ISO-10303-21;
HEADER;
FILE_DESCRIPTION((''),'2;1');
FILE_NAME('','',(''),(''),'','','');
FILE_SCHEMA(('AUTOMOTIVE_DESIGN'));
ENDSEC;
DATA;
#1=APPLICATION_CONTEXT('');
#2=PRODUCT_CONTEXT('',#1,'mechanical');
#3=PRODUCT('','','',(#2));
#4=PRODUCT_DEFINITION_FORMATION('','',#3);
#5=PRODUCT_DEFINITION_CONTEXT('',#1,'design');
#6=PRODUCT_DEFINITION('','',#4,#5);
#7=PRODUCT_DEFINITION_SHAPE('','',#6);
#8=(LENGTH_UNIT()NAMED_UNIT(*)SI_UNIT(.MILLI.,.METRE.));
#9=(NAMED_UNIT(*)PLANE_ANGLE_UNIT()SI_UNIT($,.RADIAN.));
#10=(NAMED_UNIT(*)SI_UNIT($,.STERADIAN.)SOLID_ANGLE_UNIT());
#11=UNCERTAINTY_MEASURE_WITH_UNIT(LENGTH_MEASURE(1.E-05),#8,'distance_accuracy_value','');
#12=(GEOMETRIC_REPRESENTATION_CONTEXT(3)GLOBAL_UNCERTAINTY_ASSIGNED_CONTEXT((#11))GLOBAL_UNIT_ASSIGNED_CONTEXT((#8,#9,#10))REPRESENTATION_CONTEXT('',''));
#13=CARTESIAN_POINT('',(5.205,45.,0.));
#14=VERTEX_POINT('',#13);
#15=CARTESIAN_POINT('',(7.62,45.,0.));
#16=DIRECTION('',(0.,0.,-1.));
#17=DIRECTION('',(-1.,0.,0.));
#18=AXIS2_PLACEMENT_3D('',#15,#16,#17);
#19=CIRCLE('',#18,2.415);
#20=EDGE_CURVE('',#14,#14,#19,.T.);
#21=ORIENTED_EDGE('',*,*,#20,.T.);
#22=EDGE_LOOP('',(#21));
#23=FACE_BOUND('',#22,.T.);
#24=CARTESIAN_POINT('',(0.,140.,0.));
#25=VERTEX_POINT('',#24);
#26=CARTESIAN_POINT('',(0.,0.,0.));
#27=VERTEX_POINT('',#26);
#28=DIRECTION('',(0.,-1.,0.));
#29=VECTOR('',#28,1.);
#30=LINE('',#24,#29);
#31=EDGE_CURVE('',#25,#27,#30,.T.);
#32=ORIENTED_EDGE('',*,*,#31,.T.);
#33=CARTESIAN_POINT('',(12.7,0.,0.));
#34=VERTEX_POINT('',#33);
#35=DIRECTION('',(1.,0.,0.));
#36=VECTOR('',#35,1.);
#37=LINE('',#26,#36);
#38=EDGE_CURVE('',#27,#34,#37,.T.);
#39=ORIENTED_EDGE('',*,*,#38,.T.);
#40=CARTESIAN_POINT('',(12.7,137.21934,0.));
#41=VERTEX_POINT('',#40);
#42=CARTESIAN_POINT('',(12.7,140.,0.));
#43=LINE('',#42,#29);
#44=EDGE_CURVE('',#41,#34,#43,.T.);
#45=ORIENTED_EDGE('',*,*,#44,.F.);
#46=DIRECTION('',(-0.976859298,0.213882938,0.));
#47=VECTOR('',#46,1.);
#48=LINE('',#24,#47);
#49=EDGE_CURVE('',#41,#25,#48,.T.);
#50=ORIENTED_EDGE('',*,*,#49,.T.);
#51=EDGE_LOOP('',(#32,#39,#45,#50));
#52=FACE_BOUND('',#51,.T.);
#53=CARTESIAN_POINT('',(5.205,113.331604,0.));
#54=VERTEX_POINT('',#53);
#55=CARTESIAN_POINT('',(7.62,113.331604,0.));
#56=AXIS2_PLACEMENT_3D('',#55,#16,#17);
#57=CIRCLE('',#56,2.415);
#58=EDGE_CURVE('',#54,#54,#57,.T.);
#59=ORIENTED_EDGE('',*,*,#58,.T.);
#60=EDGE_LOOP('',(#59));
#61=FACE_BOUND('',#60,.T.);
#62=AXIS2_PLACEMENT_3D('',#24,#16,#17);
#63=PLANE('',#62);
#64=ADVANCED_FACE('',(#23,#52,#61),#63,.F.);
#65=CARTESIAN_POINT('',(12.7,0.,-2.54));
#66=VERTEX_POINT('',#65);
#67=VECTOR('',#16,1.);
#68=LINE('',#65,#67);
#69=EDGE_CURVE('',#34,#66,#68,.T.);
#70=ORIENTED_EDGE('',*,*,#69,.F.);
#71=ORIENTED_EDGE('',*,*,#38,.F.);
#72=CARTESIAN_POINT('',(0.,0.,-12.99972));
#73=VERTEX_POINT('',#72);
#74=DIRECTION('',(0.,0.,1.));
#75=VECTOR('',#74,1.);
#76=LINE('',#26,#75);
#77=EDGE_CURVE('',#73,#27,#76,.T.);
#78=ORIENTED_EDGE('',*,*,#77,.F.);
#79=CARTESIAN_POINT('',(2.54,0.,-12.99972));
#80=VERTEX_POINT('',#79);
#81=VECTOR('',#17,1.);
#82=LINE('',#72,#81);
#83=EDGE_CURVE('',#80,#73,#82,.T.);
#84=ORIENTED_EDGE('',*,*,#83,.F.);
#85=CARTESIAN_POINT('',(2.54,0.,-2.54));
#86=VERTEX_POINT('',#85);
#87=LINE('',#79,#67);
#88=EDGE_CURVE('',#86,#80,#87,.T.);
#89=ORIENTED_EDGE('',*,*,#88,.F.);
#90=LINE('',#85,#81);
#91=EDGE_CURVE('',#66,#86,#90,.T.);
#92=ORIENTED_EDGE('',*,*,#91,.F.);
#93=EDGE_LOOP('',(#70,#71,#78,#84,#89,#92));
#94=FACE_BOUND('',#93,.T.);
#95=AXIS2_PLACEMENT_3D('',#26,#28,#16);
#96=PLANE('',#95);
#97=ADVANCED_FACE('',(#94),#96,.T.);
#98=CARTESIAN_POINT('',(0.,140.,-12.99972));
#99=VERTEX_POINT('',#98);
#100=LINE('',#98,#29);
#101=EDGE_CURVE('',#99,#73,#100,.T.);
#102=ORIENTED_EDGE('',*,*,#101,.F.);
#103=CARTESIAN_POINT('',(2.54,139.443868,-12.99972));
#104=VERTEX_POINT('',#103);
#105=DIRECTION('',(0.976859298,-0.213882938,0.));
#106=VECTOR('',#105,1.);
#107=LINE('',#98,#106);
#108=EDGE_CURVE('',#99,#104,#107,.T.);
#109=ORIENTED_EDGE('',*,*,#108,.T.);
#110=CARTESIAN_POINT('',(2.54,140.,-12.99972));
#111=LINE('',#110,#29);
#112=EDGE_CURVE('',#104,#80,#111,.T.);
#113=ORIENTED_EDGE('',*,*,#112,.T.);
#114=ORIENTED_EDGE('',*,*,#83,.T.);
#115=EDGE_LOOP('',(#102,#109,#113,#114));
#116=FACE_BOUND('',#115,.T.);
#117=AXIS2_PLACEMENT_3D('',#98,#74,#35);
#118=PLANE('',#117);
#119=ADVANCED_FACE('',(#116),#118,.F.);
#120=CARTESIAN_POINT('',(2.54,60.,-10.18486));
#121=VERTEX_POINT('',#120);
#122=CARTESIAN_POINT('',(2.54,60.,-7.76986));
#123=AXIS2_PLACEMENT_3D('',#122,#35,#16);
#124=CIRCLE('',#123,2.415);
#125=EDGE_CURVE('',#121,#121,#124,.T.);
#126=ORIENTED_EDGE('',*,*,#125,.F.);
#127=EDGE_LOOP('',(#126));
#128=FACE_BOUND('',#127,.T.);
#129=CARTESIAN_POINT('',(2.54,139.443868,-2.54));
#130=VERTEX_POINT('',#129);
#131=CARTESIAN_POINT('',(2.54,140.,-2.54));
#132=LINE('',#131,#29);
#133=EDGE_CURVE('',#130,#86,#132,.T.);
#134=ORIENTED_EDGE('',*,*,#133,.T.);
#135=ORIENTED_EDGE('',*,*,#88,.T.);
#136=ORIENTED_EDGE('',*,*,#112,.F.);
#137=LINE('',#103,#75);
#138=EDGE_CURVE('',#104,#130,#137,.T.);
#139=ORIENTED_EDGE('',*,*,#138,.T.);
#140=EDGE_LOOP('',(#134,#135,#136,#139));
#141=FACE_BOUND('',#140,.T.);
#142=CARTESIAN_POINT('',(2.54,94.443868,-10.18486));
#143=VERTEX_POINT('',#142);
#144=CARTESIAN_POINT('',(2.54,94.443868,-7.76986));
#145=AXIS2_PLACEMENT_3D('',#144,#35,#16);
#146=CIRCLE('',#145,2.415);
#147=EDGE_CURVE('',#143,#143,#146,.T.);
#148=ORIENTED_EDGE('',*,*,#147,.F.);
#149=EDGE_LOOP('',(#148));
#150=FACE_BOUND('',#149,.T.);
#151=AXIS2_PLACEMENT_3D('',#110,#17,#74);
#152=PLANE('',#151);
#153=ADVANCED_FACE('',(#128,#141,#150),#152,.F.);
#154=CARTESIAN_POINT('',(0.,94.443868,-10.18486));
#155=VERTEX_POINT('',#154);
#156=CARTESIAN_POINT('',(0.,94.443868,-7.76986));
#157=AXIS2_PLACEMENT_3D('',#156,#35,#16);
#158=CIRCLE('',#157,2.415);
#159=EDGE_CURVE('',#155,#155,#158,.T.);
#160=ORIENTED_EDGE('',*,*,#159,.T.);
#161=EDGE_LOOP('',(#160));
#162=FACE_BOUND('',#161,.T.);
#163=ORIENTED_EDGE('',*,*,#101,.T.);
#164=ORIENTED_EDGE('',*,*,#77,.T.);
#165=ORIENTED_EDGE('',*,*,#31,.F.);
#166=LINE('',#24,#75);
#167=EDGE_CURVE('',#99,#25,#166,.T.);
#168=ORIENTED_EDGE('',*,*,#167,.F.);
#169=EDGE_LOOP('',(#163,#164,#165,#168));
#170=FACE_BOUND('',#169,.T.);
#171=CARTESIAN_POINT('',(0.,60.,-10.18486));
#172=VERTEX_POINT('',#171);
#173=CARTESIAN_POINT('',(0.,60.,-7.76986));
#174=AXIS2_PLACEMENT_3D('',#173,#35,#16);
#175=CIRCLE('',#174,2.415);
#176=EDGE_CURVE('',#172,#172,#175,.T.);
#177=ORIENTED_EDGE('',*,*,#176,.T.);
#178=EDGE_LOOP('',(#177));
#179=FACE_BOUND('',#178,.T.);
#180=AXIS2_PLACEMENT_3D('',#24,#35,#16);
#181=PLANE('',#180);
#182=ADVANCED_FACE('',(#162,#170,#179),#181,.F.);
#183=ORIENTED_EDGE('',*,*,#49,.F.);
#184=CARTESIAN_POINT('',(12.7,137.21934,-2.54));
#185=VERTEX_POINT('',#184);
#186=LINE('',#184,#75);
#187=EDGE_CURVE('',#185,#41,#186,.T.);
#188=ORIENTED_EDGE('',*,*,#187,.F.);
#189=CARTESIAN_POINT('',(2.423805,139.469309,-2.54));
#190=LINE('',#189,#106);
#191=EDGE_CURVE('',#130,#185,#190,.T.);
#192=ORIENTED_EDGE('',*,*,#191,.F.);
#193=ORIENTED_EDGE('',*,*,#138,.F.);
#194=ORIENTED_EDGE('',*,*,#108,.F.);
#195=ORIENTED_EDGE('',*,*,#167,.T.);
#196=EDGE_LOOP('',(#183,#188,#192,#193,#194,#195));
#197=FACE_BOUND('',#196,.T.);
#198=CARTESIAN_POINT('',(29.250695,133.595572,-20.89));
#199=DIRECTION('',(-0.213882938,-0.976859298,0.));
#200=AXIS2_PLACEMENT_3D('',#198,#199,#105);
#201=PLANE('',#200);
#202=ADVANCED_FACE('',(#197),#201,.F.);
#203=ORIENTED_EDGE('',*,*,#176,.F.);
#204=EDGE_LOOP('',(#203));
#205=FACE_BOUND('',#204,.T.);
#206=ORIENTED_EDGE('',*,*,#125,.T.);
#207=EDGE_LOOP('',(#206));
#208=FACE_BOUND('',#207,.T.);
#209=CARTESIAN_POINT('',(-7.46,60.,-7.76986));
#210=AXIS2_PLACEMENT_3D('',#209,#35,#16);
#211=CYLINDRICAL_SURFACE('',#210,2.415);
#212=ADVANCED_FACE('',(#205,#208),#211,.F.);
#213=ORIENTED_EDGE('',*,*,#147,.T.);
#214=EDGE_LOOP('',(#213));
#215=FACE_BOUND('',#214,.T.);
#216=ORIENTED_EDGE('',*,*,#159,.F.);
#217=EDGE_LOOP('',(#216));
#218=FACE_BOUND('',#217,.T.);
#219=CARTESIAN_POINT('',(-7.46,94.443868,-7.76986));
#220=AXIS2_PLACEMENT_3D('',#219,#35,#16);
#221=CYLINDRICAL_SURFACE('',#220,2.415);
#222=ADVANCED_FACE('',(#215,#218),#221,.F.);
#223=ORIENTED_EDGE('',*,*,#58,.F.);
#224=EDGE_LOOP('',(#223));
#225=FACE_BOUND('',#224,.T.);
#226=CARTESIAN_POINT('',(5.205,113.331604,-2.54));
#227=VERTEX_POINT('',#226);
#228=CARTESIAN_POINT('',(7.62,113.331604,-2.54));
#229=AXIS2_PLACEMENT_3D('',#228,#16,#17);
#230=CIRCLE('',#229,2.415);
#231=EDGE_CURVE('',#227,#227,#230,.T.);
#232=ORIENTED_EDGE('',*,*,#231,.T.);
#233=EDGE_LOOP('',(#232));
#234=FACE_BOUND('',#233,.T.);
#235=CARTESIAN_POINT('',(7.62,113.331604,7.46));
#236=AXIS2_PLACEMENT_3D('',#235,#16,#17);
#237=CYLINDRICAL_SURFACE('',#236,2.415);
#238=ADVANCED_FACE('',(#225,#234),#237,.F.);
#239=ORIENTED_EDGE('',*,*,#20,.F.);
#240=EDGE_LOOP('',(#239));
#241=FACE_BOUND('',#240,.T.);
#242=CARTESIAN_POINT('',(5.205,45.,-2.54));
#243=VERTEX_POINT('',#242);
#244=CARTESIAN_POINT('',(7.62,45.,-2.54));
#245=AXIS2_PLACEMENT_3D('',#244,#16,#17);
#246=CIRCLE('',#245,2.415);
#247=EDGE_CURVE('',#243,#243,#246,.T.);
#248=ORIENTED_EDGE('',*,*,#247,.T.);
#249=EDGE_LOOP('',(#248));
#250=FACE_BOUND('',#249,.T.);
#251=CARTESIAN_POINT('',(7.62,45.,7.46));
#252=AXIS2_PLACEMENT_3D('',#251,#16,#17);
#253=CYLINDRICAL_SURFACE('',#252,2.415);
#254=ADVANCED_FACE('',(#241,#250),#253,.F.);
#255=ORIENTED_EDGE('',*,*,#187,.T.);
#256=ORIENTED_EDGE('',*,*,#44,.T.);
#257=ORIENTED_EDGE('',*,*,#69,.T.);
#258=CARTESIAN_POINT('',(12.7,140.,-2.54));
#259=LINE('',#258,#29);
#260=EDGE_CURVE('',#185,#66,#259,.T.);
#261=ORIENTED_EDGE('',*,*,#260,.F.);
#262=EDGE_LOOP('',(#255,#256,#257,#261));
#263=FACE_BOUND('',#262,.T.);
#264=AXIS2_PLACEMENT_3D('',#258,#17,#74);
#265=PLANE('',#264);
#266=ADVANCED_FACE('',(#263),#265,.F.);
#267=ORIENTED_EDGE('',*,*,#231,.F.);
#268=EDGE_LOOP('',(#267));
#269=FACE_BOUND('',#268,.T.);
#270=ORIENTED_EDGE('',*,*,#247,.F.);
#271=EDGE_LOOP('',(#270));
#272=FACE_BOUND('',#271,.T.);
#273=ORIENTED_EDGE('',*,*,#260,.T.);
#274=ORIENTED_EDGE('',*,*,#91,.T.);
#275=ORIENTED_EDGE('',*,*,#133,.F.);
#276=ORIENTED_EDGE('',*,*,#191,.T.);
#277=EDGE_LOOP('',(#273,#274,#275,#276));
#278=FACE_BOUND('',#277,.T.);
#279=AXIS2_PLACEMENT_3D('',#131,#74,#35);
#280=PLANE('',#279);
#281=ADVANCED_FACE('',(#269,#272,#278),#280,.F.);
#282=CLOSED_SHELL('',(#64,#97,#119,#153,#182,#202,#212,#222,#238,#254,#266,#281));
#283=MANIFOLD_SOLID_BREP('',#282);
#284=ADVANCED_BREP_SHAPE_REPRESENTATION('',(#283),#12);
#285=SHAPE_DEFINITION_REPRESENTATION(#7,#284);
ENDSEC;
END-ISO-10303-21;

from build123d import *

# Parameters (mm, degrees)
BOSS_EXTRUDE1_DEPTH     = 140
CUT_EXTRUDE1_DEPTH      = 18.35
CUT_EXTRUDE1_DEPTH_BACK = 6.35
SKETCH3_R               = 2.415
CUT_EXTRUDE2_DEPTH      = 10
SKETCH4_R               = 2.415
CUT_EXTRUDE3_DEPTH      = 10
SKETCH5_R               = 2.415
CUT_EXTRUDE4_DEPTH      = 10
SKETCH6_R               = 2.415
CUT_EXTRUDE5_DEPTH      = 10


with BuildPart() as part:
    # Sketch1 → Boss-Extrude1 (new body)
    with BuildSketch(Plane(origin=(0, 0, 0), x_dir=(1, 0, 0), z_dir=(0, 1, 0))):
        Polygon((0, 0), (0, 12.99972), (2.54, 12.99972), (2.54, 2.54), (12.7, 2.54), (12.7, 0), align=None)
    extrude(amount=BOSS_EXTRUDE1_DEPTH)

    # Sketch2 → Cut-Extrude1 (cut, two sides)
    with BuildSketch(Plane(origin=(0, 0, -2.54), x_dir=(-1, 0, 0), z_dir=(0, 0, -1))) as cut_extrude1_sk:
        Polygon((-2.54, 139.443868054), (0, 140), (-11.159733345, 144.634657465), (-16.37733561, 136.414189162), (-12.7, 137.219340268), (-12.7, 140), (-2.54, 140), align=None)
        Polygon((-12.7, 137.219340268), (-2.54, 139.443868054), (-2.54, 140), (-12.7, 140), align=None)
    extrude(amount=CUT_EXTRUDE1_DEPTH, mode=Mode.SUBTRACT)
    extrude(cut_extrude1_sk.sketch, amount=-CUT_EXTRUDE1_DEPTH_BACK, mode=Mode.SUBTRACT)

    # Sketch3 → Cut-Extrude2 (cut)
    with BuildSketch(Plane(origin=(0, 0, -2.54), x_dir=(-1, 0, 0), z_dir=(0, 0, -1))):
        with Locations((-7.62, 113.331604161)):
            Circle(SKETCH3_R)
    extrude(amount=-CUT_EXTRUDE2_DEPTH, mode=Mode.SUBTRACT)

    # Sketch4 → Cut-Extrude3 (cut)
    with BuildSketch(Plane(origin=(2.54, 0, 0), x_dir=(0, 0, -1), z_dir=(1, 0, 0))):
        with Locations((7.76986, 94.443868054)):
            Circle(SKETCH4_R)
    extrude(amount=-CUT_EXTRUDE3_DEPTH, mode=Mode.SUBTRACT)

    # Sketch5 → Cut-Extrude4 (cut)
    with BuildSketch(Plane(origin=(2.54, 0, 0), x_dir=(0, 0, -1), z_dir=(1, 0, 0))):
        with Locations((7.76986, 60)):
            Circle(SKETCH5_R)
    extrude(amount=-CUT_EXTRUDE4_DEPTH, mode=Mode.SUBTRACT)

    # Sketch6 → Cut-Extrude5 (cut)
    with BuildSketch(Plane(origin=(0, 0, -2.54), x_dir=(-1, 0, 0), z_dir=(0, 0, -1))):
        with Locations((-7.62, 45)):
            Circle(SKETCH6_R)
    extrude(amount=-CUT_EXTRUDE5_DEPTH, mode=Mode.SUBTRACT)


solid = part.part
